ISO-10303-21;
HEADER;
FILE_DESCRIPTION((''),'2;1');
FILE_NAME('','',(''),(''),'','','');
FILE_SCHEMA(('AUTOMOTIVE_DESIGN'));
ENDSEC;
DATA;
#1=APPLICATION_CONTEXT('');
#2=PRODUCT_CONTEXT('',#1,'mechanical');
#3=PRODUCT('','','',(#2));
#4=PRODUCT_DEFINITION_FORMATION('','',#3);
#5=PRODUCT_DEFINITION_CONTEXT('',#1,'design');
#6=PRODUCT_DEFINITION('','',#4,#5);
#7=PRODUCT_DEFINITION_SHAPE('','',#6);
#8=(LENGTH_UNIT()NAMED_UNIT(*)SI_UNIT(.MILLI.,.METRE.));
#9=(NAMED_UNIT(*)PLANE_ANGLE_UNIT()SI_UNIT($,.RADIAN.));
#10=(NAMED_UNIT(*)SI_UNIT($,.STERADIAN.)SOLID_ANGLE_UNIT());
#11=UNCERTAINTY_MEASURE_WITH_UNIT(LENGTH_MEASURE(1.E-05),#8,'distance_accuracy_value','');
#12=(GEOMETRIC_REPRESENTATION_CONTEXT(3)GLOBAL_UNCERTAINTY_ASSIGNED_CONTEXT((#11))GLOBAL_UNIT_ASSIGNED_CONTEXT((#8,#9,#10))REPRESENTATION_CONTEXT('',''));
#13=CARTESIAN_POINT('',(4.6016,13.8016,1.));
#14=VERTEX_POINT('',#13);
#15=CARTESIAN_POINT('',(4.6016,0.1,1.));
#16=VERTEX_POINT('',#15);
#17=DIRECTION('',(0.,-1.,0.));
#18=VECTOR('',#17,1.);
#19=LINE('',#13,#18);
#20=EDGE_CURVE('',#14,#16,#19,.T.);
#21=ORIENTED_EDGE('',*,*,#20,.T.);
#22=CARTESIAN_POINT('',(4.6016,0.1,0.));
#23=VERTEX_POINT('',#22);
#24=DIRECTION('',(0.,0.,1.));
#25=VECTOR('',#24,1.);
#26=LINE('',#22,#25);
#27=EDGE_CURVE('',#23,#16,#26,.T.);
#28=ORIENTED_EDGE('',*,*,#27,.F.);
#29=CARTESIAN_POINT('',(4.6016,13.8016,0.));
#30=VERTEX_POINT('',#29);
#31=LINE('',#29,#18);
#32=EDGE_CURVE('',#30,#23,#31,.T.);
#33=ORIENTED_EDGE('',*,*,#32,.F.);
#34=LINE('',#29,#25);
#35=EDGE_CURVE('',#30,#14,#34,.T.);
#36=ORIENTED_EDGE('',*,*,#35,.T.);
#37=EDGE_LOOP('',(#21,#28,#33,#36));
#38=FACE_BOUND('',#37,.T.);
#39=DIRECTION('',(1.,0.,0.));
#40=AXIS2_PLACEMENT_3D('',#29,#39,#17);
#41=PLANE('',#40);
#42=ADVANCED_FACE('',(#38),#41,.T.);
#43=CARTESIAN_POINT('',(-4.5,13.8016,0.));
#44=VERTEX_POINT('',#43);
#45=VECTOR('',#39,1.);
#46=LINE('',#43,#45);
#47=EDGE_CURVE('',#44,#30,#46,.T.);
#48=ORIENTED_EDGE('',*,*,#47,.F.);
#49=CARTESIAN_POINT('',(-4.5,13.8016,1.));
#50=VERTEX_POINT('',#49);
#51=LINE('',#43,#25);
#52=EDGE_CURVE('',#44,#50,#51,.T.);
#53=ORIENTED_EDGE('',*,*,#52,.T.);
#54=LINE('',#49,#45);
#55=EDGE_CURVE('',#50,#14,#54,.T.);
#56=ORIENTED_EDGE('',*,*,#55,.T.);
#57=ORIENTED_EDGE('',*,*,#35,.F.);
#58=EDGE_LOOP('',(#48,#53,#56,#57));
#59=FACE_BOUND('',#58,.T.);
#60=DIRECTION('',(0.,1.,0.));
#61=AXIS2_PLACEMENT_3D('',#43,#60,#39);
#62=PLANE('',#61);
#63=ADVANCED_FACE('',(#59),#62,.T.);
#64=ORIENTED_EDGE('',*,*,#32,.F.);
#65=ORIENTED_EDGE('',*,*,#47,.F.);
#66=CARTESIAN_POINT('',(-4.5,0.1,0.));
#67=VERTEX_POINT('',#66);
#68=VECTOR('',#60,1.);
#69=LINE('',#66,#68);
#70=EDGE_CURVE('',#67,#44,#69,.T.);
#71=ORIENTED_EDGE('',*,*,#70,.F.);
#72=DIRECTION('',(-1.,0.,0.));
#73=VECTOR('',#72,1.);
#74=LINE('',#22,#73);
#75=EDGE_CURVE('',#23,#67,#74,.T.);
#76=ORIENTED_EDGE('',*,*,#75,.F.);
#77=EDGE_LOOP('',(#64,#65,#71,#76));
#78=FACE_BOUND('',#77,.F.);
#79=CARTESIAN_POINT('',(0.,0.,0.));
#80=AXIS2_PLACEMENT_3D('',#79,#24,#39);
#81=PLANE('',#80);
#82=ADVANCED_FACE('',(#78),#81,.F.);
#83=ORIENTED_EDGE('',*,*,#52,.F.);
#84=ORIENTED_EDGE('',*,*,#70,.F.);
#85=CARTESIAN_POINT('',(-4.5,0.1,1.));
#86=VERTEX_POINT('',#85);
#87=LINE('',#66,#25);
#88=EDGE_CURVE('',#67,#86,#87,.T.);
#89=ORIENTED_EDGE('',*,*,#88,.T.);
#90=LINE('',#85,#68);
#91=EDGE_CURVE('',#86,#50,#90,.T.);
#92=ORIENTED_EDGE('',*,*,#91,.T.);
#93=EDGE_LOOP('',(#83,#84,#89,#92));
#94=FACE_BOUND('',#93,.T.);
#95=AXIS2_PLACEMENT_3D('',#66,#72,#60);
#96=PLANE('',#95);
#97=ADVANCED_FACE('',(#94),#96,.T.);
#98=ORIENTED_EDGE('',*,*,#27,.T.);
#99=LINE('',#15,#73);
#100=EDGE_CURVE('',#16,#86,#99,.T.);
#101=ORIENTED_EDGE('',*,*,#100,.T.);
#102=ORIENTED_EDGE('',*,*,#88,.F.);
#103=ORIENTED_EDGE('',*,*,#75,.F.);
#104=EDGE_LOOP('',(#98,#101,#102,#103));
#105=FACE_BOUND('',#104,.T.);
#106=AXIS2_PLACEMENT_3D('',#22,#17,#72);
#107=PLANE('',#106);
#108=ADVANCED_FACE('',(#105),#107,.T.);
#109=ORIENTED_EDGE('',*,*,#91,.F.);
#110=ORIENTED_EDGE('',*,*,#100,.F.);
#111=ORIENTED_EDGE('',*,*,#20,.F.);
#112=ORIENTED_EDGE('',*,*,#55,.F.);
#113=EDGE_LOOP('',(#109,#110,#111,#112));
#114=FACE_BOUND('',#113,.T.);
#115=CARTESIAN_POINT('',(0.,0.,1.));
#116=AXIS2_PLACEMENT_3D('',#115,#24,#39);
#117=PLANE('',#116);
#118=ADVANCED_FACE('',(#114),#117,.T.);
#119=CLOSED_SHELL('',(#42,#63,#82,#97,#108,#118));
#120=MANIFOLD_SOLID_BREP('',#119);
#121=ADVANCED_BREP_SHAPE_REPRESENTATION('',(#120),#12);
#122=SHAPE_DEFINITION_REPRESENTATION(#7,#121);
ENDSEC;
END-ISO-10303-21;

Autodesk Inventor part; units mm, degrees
ref_plane "YZ Plane" through (0, 0, 0) normal (1, 0, 0) x (0, 1, 0)
ref_plane "XZ Plane" through (0, 0, 0) normal (0, 1, 0) x (-1, 0, 0)
ref_plane "XY Plane" through (0, 0, 0) normal (0, 0, 1) x (1, 0, 0)
sketch "POWER_JACK_PTH, POWER_JACKPTH_29" plane through (0, 0, 0) normal (0, 0, 1) x (1, 0, 0)
  line L0 (-4.5, 13.8016) -> (4.6016, 13.8016)
  line L1 (4.6016, 13.8016) -> (4.6016, 0.1)
  line L2 (4.6016, 0.1) -> (-4.5, 0.1)
  line L3 (-4.5, 0.1) -> (-4.5, 13.8016)
extrude "Extrusion1" add sketch "POWER_JACK_PTH, POWER_JACKPTH_29" along normal blind 1
properties part number "POWER_JACKPTH"
